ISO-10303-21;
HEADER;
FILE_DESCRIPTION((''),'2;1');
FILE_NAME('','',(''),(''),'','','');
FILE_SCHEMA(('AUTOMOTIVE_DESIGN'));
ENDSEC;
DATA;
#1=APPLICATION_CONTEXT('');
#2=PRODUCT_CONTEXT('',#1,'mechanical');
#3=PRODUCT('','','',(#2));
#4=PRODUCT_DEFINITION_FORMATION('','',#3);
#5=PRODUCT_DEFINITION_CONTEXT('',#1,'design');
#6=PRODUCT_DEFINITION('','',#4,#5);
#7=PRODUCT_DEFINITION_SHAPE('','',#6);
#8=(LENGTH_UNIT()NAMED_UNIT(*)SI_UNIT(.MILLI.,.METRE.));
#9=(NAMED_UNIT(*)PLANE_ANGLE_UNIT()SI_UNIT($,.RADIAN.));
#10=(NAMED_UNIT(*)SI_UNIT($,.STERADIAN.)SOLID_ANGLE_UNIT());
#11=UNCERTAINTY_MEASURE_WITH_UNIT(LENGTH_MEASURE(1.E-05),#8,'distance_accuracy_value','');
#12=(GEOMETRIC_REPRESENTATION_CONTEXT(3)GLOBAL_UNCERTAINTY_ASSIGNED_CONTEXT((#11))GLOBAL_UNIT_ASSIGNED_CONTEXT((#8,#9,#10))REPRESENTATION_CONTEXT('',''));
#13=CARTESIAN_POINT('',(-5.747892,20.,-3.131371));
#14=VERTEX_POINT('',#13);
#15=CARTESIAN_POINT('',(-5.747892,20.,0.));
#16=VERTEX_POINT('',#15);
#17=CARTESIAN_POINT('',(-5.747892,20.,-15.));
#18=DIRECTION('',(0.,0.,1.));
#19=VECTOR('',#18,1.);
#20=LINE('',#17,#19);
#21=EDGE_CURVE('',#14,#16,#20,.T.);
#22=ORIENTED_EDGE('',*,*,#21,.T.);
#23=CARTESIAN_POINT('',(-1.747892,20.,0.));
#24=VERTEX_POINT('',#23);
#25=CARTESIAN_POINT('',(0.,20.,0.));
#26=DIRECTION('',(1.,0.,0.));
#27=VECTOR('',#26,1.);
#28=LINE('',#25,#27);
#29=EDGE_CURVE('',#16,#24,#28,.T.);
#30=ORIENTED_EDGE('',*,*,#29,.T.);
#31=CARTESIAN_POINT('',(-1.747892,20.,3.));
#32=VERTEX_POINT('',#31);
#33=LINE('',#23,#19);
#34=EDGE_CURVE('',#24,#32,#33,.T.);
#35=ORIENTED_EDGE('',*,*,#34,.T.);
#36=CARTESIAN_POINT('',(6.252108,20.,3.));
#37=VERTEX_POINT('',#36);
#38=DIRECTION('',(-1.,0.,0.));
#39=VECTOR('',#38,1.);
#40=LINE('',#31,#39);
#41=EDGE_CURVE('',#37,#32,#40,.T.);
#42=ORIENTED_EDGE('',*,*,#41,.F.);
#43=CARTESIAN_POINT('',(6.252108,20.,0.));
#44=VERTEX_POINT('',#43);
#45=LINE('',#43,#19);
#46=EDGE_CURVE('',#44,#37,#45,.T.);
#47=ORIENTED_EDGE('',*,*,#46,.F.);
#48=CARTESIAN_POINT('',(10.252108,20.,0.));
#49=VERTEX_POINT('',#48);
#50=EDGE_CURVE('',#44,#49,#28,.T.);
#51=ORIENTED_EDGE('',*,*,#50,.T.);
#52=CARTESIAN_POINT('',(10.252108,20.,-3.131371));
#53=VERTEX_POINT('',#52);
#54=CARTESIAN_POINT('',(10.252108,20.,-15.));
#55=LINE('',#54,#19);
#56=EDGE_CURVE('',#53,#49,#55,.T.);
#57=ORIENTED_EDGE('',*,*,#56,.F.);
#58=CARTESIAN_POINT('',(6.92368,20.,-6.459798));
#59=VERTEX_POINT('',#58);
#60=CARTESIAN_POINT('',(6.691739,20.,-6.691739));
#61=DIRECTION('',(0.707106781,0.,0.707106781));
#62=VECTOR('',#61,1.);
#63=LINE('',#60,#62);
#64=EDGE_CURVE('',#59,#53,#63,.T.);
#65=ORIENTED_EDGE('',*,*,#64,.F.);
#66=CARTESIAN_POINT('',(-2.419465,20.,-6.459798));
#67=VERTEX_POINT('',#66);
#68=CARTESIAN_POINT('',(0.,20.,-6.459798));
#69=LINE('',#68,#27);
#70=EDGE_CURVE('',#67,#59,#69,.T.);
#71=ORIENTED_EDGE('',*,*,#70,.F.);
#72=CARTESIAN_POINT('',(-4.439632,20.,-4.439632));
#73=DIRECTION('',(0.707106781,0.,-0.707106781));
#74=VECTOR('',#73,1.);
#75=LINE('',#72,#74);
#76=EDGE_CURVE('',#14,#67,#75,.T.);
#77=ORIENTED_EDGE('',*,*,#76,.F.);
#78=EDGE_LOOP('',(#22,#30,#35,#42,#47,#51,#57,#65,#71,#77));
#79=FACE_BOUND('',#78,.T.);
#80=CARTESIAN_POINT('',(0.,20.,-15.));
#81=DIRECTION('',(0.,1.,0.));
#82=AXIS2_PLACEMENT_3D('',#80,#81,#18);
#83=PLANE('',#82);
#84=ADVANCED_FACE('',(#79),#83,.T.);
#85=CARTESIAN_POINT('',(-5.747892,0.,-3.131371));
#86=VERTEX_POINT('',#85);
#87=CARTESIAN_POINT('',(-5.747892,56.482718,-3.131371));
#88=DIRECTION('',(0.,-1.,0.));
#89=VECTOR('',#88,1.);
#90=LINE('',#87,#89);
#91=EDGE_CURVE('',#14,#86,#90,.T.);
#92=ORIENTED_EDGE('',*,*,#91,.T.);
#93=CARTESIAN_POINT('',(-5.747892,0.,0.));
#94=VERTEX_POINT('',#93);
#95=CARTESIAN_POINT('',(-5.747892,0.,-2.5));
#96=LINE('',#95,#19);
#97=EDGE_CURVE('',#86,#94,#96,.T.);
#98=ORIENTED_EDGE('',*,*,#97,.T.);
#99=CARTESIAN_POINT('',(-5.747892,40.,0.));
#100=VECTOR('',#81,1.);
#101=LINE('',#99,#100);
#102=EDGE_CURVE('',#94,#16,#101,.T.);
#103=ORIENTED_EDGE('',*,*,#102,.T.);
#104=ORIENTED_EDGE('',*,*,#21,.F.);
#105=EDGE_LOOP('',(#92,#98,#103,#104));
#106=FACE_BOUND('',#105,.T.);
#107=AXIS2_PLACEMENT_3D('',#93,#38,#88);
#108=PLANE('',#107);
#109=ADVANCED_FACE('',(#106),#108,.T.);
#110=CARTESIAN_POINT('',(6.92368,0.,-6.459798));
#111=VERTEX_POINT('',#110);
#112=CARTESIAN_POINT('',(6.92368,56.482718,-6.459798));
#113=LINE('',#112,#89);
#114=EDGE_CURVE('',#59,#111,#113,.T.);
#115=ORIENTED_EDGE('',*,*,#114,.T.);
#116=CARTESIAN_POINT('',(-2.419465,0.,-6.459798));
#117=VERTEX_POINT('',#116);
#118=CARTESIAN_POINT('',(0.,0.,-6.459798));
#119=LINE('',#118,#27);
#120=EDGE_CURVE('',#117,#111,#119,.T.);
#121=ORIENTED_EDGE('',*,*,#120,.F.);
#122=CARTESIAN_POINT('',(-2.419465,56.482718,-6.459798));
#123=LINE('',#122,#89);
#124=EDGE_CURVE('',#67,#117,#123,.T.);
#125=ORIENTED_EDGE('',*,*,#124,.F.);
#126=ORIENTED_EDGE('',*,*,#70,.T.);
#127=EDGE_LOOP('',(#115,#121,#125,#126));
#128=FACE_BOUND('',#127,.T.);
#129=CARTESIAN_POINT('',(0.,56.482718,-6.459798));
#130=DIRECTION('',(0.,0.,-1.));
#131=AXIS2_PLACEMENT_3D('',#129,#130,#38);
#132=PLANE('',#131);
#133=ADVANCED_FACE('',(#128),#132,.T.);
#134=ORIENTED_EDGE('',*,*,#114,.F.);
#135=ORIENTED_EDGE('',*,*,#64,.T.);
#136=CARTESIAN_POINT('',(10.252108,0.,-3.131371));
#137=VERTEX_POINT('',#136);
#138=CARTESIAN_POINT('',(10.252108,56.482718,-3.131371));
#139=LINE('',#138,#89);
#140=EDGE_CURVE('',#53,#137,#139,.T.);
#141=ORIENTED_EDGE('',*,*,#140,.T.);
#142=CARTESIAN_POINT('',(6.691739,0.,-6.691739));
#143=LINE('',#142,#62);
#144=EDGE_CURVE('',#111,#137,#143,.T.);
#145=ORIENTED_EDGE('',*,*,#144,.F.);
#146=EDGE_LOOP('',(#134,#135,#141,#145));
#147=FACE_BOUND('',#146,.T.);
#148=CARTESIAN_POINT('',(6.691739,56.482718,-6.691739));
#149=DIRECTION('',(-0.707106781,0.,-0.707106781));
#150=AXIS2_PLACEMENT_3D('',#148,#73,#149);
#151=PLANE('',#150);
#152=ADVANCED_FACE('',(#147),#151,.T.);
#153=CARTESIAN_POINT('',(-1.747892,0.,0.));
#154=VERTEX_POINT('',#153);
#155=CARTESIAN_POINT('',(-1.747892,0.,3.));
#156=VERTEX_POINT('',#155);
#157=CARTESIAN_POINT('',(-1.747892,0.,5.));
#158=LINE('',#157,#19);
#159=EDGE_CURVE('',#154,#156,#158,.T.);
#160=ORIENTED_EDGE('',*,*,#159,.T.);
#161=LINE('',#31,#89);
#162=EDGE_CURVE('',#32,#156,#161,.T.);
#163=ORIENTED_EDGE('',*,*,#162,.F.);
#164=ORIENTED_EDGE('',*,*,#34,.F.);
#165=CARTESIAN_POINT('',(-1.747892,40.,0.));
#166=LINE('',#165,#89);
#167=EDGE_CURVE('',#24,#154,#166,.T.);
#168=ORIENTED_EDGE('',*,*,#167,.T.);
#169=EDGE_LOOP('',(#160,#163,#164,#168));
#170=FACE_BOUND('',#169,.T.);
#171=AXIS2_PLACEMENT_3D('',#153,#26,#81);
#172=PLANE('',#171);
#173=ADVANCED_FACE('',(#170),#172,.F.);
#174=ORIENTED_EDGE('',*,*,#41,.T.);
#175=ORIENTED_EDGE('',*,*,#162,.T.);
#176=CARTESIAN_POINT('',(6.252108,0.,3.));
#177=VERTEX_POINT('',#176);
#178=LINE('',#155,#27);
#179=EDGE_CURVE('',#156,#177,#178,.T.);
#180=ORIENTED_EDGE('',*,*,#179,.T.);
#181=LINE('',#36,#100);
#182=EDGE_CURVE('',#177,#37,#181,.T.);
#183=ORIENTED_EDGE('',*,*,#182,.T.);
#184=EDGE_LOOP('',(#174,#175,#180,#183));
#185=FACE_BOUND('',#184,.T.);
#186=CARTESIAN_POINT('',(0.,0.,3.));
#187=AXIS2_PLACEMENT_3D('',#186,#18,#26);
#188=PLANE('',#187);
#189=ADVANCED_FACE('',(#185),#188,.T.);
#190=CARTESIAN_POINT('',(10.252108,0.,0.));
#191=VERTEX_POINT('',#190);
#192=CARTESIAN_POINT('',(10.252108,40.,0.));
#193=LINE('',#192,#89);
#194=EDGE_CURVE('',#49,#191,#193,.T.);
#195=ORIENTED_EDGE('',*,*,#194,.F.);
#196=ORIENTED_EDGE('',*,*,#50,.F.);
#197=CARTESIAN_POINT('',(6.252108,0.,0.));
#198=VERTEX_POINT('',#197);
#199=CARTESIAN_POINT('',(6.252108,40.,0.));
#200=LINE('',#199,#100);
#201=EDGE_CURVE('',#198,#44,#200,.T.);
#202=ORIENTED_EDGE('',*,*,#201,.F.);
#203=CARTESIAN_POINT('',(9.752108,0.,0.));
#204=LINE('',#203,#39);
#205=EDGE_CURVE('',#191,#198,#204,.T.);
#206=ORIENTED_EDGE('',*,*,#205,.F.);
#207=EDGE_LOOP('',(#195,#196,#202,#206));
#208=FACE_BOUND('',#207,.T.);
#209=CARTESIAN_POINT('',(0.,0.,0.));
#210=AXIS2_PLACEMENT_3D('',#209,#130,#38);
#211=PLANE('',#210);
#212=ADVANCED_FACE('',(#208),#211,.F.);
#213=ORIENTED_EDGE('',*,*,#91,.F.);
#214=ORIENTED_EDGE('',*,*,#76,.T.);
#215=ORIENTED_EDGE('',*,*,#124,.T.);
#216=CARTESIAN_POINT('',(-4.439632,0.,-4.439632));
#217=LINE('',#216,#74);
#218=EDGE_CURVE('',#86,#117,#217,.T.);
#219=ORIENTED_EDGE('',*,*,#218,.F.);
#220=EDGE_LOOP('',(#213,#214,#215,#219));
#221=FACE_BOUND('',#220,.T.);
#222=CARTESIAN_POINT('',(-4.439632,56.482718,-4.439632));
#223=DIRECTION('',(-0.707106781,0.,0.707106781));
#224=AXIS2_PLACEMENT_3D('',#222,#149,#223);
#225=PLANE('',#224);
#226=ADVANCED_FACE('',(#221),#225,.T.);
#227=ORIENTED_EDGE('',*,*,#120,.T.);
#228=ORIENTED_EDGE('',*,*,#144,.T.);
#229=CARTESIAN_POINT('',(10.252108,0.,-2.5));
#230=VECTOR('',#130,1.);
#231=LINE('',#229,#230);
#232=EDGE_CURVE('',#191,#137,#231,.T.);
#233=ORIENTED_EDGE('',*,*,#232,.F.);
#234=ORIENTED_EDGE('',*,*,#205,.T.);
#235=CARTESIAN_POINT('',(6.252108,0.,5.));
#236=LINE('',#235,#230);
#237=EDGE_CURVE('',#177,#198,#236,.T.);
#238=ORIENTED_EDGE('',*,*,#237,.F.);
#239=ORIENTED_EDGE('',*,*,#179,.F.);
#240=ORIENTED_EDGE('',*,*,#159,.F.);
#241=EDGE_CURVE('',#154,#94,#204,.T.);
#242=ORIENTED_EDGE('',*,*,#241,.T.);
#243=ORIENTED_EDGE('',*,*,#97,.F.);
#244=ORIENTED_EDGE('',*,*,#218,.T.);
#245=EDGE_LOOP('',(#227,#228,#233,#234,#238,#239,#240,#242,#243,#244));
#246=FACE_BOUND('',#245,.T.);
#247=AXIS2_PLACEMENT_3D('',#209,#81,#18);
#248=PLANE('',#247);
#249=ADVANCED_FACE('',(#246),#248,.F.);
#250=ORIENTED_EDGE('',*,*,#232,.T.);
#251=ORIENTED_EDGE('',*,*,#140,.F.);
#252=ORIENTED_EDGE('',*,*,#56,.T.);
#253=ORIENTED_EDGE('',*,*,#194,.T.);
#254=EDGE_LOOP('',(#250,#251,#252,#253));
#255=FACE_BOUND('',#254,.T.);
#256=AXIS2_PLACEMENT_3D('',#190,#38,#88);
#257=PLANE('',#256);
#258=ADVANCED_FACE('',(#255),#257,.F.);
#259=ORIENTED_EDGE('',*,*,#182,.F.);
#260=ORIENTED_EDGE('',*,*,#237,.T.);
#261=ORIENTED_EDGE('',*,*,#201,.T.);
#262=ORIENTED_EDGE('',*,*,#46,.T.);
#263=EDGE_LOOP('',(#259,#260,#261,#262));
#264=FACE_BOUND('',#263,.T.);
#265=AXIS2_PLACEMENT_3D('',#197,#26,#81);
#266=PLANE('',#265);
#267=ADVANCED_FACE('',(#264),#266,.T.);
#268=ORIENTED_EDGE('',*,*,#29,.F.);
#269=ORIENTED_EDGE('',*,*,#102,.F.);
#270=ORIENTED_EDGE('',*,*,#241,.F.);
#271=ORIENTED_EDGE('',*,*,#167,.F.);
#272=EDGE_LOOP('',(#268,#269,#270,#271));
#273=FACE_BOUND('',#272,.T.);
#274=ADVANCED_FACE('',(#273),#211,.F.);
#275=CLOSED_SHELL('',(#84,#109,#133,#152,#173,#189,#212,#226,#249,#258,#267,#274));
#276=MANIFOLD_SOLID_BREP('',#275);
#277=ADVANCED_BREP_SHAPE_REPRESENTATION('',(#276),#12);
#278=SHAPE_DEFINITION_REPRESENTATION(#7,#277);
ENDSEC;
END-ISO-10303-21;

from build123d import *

# Parameters (mm, degrees)
BOSS_EXTRUDE1_DEPTH          = 40
SKETCH2_W                    = 3.5
SKETCH2_H                    = 40
BOSS_EXTRUDE2_DEPTH          = 5
SKETCH4_R                    = 2
CUT_EXTRUDE1_DEPTH           = 7
SKETCH5_R                    = 3.5
CUT_EXTRUDE2_DEPTH           = 3
CUT_EXTRUDE2_DRAFT           = -27
CUT_EXTRUDE2_PROFILE_2_DEPTH = 3
CUT_EXTRUDE2_PROFILE_2_DRAFT = -27
BOSS_EXTRUDE3_DEPTH          = 3
SKETCH9_W                    = 13
SKETCH9_H                    = 40
CUT_EXTRUDE4_DEPTH           = 4.702585656
SKETCH10_W                   = 15
SKETCH10_H                   = 40
BOSS_EXTRUDE4_DEPTH          = 2.5
SKETCH11_W                   = 1.5
SKETCH11_H                   = 2.202585656
BOSS_EXTRUDE7_DEPTH          = 40
BOSS_EXTRUDE8_DEPTH          = 0.625841469
SKETCH13_R                   = 2
CUT_EXTRUDE5_DEPTH           = 10
SKETCH14_W                   = 2.5
SKETCH14_H                   = 40
BOSS_EXTRUDE9_DEPTH          = 0.5
SKETCH15_W                   = 2.5
SKETCH15_H                   = 40
BOSS_EXTRUDE10_DEPTH         = 0.5
BOSS_EXTRUDE11_DEPTH         = 40
BOSS_EXTRUDE12_DEPTH         = 1.13137085
SKETCH18_R                   = 2
CUT_EXTRUDE6_DEPTH           = 10
SKETCH19_R                   = 3
CUT_EXTRUDE7_DEPTH           = 3
CUT_EXTRUDE7_DRAFT           = -19
CUT_EXTRUDE7_PROFILE_2_DEPTH = 3
CUT_EXTRUDE7_PROFILE_2_DRAFT = -19
SKETCH20_W                   = 5
SKETCH20_H                   = 40
BOSS_EXTRUDE13_DEPTH         = 0.5
SKETCH21_W                   = 5
SKETCH21_H                   = 40
BOSS_EXTRUDE14_DEPTH         = 0.5
SKETCH22_W                   = 7
SKETCH22_H                   = 6.5
SKETCH22_W_2                 = 7.5
CUT_EXTRUDE8_DEPTH           = 20
SKETCH23_R                   = 2
BOSS_EXTRUDE15_DEPTH         = 6.459797975
BOSS_EXTRUDE16_START         = -11.459798
SKETCH24_R                   = 3
BOSS_EXTRUDE16_DEPTH         = 11.459798
SKETCH25_W                   = 4
SKETCH25_H                   = 20
CUT_EXTRUDE9_DEPTH           = 20
SKETCH26_W                   = 8
SKETCH26_H                   = 20
CUT_EXTRUDE10_DEPTH          = 1
SKETCH28_W                   = 8
SKETCH28_H                   = 20
CUT_EXTRUDE11_DEPTH          = 1


with BuildPart() as part:
    # Sketch1 → Boss-Extrude1 (new body)
    with BuildSketch(Plane(origin=(0, 0, 0), x_dir=(1, 0, 0), z_dir=(0, 1, 0))):
        Polygon((-4.247892457, 4.702585656), (8.752107543, 4.702585656), (8.752107543, 1.702585656), (7.049521887, 0), (-2.545306801, 0), (-4.247892457, 1.702585656), align=None)
    extrude(amount=BOSS_EXTRUDE1_DEPTH)

    # Sketch2 → Boss-Extrude2 (add)
    with BuildSketch(Plane.XY):
        with Locations((4.002107543, 20)):
            Rectangle(SKETCH2_W, SKETCH2_H)
        with Locations((0.502107543, 20)):
            Rectangle(SKETCH2_W, SKETCH2_H)
    extrude(amount=BOSS_EXTRUDE2_DEPTH)

    # Sketch4 → Cut-Extrude1 (cut)
    with BuildSketch(Plane.XY.offset(5)):
        with Locations((2.252107543, 30)):
            Circle(SKETCH4_R)
        with Locations((2.252107543, 10)):
            Circle(SKETCH4_R)
    extrude(amount=-CUT_EXTRUDE1_DEPTH, mode=Mode.SUBTRACT)


with BuildPart() as cut_extrude2_tool:
    # Sketch5 → Cut-Extrude2 (with draft: the straight prism first)
    with BuildSketch(Plane(origin=(0, 0, -4.702585656), x_dir=(-1, 0, 0), z_dir=(0, 0, -1))):
        with Locations((-2.252107543, 30)):
            Circle(SKETCH5_R)
    extrude(amount=-CUT_EXTRUDE2_DEPTH)
    # Cut-Extrude2: the draft: its side faces are tilted about the plane it starts from
    cut_extrude2_sides = [cut_extrude2_tool.faces().sort_by_distance(p)[0] for p in [
        (5.752107543, 30, -3.202585656),
    ]]
    draft(cut_extrude2_sides, Plane(origin=(0, 0, -4.702585656), x_dir=(-1, 0, 0), z_dir=(0, 0, -1)), CUT_EXTRUDE2_DRAFT)


with BuildPart() as part_1:
    add(part.part)

    # Cut-Extrude2: cut by cut_extrude2_tool
    add(cut_extrude2_tool.part, mode=Mode.SUBTRACT)


with BuildPart() as cut_extrude2_profile_2_tool:
    # Sketch5 → Cut-Extrude2 profile 2 (with draft: the straight prism first)
    with BuildSketch(Plane(origin=(0, 0, -4.702585656), x_dir=(-1, 0, 0), z_dir=(0, 0, -1))):
        with Locations((-2.252107543, 10)):
            Circle(SKETCH5_R)
    extrude(amount=-CUT_EXTRUDE2_PROFILE_2_DEPTH)
    # Cut-Extrude2 profile 2: the draft: its side faces are tilted about the plane it starts from
    cut_extrude2_profile_2_sides = [cut_extrude2_profile_2_tool.faces().sort_by_distance(p)[0] for p in [
        (5.752107543, 10, -3.202585656),
    ]]
    draft(cut_extrude2_profile_2_sides, Plane(origin=(0, 0, -4.702585656), x_dir=(-1, 0, 0), z_dir=(0, 0, -1)), CUT_EXTRUDE2_PROFILE_2_DRAFT)


with BuildPart() as part_2:
    add(part_1.part)

    # Cut-Extrude2 profile 2: cut by cut_extrude2_profile_2_tool
    add(cut_extrude2_profile_2_tool.part, mode=Mode.SUBTRACT)

    # Sketch7 → Boss-Extrude3 (add)
    with BuildSketch(Plane(origin=(0, 0, -4.702585656), x_dir=(-1, 0, 0), z_dir=(0, 0, -1))):
        Polygon((1.247892457, 46.5), (-5.752107543, 46.5), (-5.752107543, 40), (-4.252107543, 40), (-4.252107543, 45), (-0.252107543, 45), (-0.252107543, 43.275204256), (-0.252107543, 40), (1.247892457, 40), align=None)
        Polygon((-4.252107543, 0), (-5.752107543, 0), (-5.752107543, -6.5), (1.247892457, -6.5), (1.247892457, 0), (-0.252107543, 0), (-0.252107543, -5), (-4.252107543, -5), align=None)
    extrude(amount=-BOSS_EXTRUDE3_DEPTH)

    # Sketch9 → Cut-Extrude4 (cut)
    with BuildSketch(Plane(origin=(0, 0, -4.702585656), x_dir=(-1, 0, 0), z_dir=(0, 0, -1))):
        with Locations((-2.252107543, 20)):
            Rectangle(SKETCH9_W, SKETCH9_H)
    extrude(amount=-CUT_EXTRUDE4_DEPTH, mode=Mode.SUBTRACT)


with BuildPart() as cut_extrude4_piece_1:
    # of the separate pieces the step leaves, piece 1, a body of its own (cut_extrude4_pieces)
    add(part_2.part.solids().sort_by_distance((-1.247892457, 0, 0))[0])



with BuildPart() as cut_extrude4_piece_2:
    # of the separate pieces the step leaves, piece 2, a body of its own (cut_extrude4_pieces)
    add(part_2.part.solids().sort_by_distance((0.252107543, 40, -4.702585656))[0])


with BuildPart() as cut_extrude4_piece_3:
    # of the separate pieces the step leaves, piece 3, a body of its own (cut_extrude4_pieces)
    add(part_2.part.solids().sort_by_distance((-1.247892457, -6.5, -4.702585656))[0])


with BuildPart() as cut_extrude4_piece_1_1:
    add(cut_extrude4_piece_1.part)

    add(cut_extrude4_piece_2.part)  # Boss-Extrude4 merges Cut-Extrude4 piece 2

    add(cut_extrude4_piece_3.part)  # Boss-Extrude4 merges Cut-Extrude4 piece 3
    # Sketch10 → Boss-Extrude4 (add)
    with BuildSketch(Plane(origin=(0, 0, 0), x_dir=(-1, 0, 0), z_dir=(0, 0, -1))):
        with Locations((-2.252107543, 20)):
            Rectangle(SKETCH10_W, SKETCH10_H)
    extrude(amount=BOSS_EXTRUDE4_DEPTH)

    # Sketch11 → Boss-Extrude7 (add)
    with BuildSketch(Plane(origin=(0, 0, 0), x_dir=(1, 0, 0), z_dir=(0, 1, 0))):
        with Locations((5.002107543, 3.601292828)):
            Rectangle(SKETCH11_W, SKETCH11_H)
        Polygon((-2.419465332, 5.328427125), (-5.247892457, 2.5), (4.252107543, 2.5), (4.252107543, 4.702585656), (5.752107543, 4.702585656), (5.752107543, 2.5), (9.752107543, 2.5), (6.923680418, 5.328427125), align=None)
    extrude(amount=BOSS_EXTRUDE7_DEPTH)

    # Sketch12 → Boss-Extrude8 (add)
    with BuildSketch(Plane(origin=(0, 0, -4.702585656), x_dir=(-1, 0, 0), z_dir=(0, 0, -1))):
        Polygon((-5.752107543, 0), (-5.752107543, -6.5), (1.247892457, -6.5), (1.247892457, 0), (-0.252107543, 0), (-0.252107543, -5), (-4.252107543, -5), (-4.252107543, 0), align=None)
        Polygon((1.247892457, 46.5), (-5.752107543, 46.5), (-5.752107543, 40), (-4.252107543, 40), (-4.252107543, 45), (-0.252107543, 45), (-0.252107543, 40), (1.247892457, 40), align=None)
    extrude(amount=BOSS_EXTRUDE8_DEPTH)

    # Sketch13 → Cut-Extrude5 (cut)
    with BuildSketch(Plane.XY):
        with Locations((2.252107543, 30)):
            Circle(SKETCH13_R)
        with Locations((2.252107543, 10)):
            Circle(SKETCH13_R)
    extrude(amount=-CUT_EXTRUDE5_DEPTH, mode=Mode.SUBTRACT)

    # Sketch14 → Boss-Extrude9 (add)
    with BuildSketch(Plane(origin=(9.752107543, 0, 0), x_dir=(0, 0, -1), z_dir=(1, 0, 0))):
        with Locations((1.25, 20)):
            Rectangle(SKETCH14_W, SKETCH14_H)
    extrude(amount=BOSS_EXTRUDE9_DEPTH)

    # Sketch15 → Boss-Extrude10 (add)
    with BuildSketch(Plane.ZY.offset(5.247892457)):
        with Locations((-1.25, 20)):
            Rectangle(SKETCH15_W, SKETCH15_H)
    extrude(amount=BOSS_EXTRUDE10_DEPTH)

    # Sketch16 → Boss-Extrude11 (add)
    with BuildSketch(Plane.XZ):
        Polygon((-2.419465332, -5.328427125), (-5.247892457, -2.5), (-5.747892457, -2.5), (-5.747892457, -3.13137085), (-2.419465332, -6.459797975), (6.923680418, -6.459797975), (10.252107543, -3.13137085), (10.252107543, -2.5), (9.752107543, -2.5), (6.923680418, -5.328427125), (0.656985658, -5.328427125), align=None)
    extrude(amount=-BOSS_EXTRUDE11_DEPTH)

    # Sketch17 → Boss-Extrude12 (add)
    with BuildSketch(Plane(origin=(0, 0, -5.328427125), x_dir=(-1, 0, 0), z_dir=(0, 0, -1))):
        Polygon((-5.752107543, 0), (-5.752107543, -6.5), (1.247892457, -6.5), (1.247892457, 0), (0, 0), (0, -5), (-0.252107543, -5), (-4.252107543, -5), (-4.252107543, 0), align=None)
        Polygon((1.247892457, 46.5), (-5.752107543, 46.5), (-5.752107543, 40), (-4.252107543, 40), (-4.252107543, 44.953142187), (-0.252107543, 44.953142187), (-0.252107543, 40), (1.247892457, 40), align=None)
    extrude(amount=BOSS_EXTRUDE12_DEPTH)

    # Sketch18 → Cut-Extrude6 (cut)
    with BuildSketch(Plane.XY.offset(-5.328427125)):
        with Locations((2.252107543, 30)):
            Circle(SKETCH18_R)
        with Locations((2.252107543, 10)):
            Circle(SKETCH18_R)
    extrude(amount=-CUT_EXTRUDE6_DEPTH, mode=Mode.SUBTRACT)


with BuildPart() as cut_extrude7_tool:
    # Sketch19 → Cut-Extrude7 (with draft: the straight prism first)
    with BuildSketch(Plane(origin=(0, 0, -6.459797975), x_dir=(-1, 0, 0), z_dir=(0, 0, -1))):
        with Locations((-2.252107543, 30)):
            Circle(SKETCH19_R)
    extrude(amount=-CUT_EXTRUDE7_DEPTH)
    # Cut-Extrude7: the draft: its side faces are tilted about the plane it starts from
    cut_extrude7_sides = [cut_extrude7_tool.faces().sort_by_distance(p)[0] for p in [
        (5.252107543, 30, -4.959797975),
    ]]
    draft(cut_extrude7_sides, Plane(origin=(0, 0, -6.459797975), x_dir=(-1, 0, 0), z_dir=(0, 0, -1)), CUT_EXTRUDE7_DRAFT)


with BuildPart() as cut_extrude4_piece_1_2:
    add(cut_extrude4_piece_1_1.part)

    # Cut-Extrude7: cut by cut_extrude7_tool
    add(cut_extrude7_tool.part, mode=Mode.SUBTRACT)


with BuildPart() as cut_extrude7_profile_2_tool:
    # Sketch19 → Cut-Extrude7 profile 2 (with draft: the straight prism first)
    with BuildSketch(Plane(origin=(0, 0, -6.459797975), x_dir=(-1, 0, 0), z_dir=(0, 0, -1))):
        with Locations((-2.252107543, 10)):
            Circle(SKETCH19_R)
    extrude(amount=-CUT_EXTRUDE7_PROFILE_2_DEPTH)
    # Cut-Extrude7 profile 2: the draft: its side faces are tilted about the plane it starts from
    cut_extrude7_profile_2_sides = [cut_extrude7_profile_2_tool.faces().sort_by_distance(p)[0] for p in [
        (5.252107543, 10, -4.959797975),
    ]]
    draft(cut_extrude7_profile_2_sides, Plane(origin=(0, 0, -6.459797975), x_dir=(-1, 0, 0), z_dir=(0, 0, -1)), CUT_EXTRUDE7_PROFILE_2_DRAFT)


with BuildPart() as cut_extrude4_piece_1_3:
    add(cut_extrude4_piece_1_2.part)

    # Cut-Extrude7 profile 2: cut by cut_extrude7_profile_2_tool
    add(cut_extrude7_profile_2_tool.part, mode=Mode.SUBTRACT)

    # Sketch20 → Boss-Extrude13 (add)
    with BuildSketch(Plane.ZY.offset(1.247892457)):
        with Locations((2.5, 20)):
            Rectangle(SKETCH20_W, SKETCH20_H)
    extrude(amount=BOSS_EXTRUDE13_DEPTH)

    # Sketch21 → Boss-Extrude14 (add)
    with BuildSketch(Plane(origin=(5.752107543, 0, 0), x_dir=(0, 0, -1), z_dir=(1, 0, 0))):
        with Locations((-2.5, 20)):
            Rectangle(SKETCH21_W, SKETCH21_H)
    extrude(amount=BOSS_EXTRUDE14_DEPTH)

    # Sketch22 → Cut-Extrude8 (cut)
    with BuildSketch(Plane.XY.offset(5)):
        with Locations((2.252107543, 43.25)):
            Rectangle(SKETCH22_W, SKETCH22_H)
        with Locations((2.502107543, -3.25)):
            Rectangle(SKETCH22_W_2, SKETCH22_H)
    extrude(amount=-CUT_EXTRUDE8_DEPTH, mode=Mode.SUBTRACT)

    # Sketch23 → Boss-Extrude15 (add)
    with BuildSketch(Plane.XY):
        with Locations((2.252107543, 10)):
            Circle(SKETCH23_R)
        with Locations((2.252107543, 30)):
            Circle(SKETCH23_R)
    extrude(amount=-BOSS_EXTRUDE15_DEPTH)

    # Sketch24 → Boss-Extrude16 (add)
    with BuildSketch(Plane(origin=(0, 0, -6.459797975), x_dir=(-1, 0, 0), z_dir=(0, 0, -1)).offset(BOSS_EXTRUDE16_START)):
        with Locations((-2.252107543, 30)):
            Circle(SKETCH24_R)
        with Locations((-2.252107543, 10)):
            Circle(SKETCH24_R)
    extrude(amount=BOSS_EXTRUDE16_DEPTH)

    # Sketch25 → Cut-Extrude9 (cut)
    with BuildSketch(Plane.XY.offset(5)):
        Polygon((6.252107543, 20.358230215), (6.252107543, 20), (10.252107543, 20), (10.252107543, 40), (6.252107543, 40), align=None)
        Polygon((-1.747892457, 20), (6.252107543, 20), (6.252107543, 20.358230215), (6.252107543, 40), (-1.747892457, 40), align=None)
        with Locations((-3.747892457, 30)):
            Rectangle(SKETCH25_W, SKETCH25_H)
    extrude(amount=-CUT_EXTRUDE9_DEPTH, mode=Mode.SUBTRACT)

    # Sketch26 → Cut-Extrude10 (cut)
    with BuildSketch(Plane.XY.offset(5)):
        with Locations((2.252107543, 10)):
            Rectangle(SKETCH26_W, SKETCH26_H)
    extrude(amount=-CUT_EXTRUDE10_DEPTH, mode=Mode.SUBTRACT)

    # Sketch28 → Cut-Extrude11 (cut)
    with BuildSketch(Plane.XY.offset(4)):
        with Locations((2.252107543, 10)):
            Rectangle(SKETCH28_W, SKETCH28_H)
    extrude(amount=-CUT_EXTRUDE11_DEPTH, mode=Mode.SUBTRACT)


solid = cut_extrude4_piece_1_3.part
